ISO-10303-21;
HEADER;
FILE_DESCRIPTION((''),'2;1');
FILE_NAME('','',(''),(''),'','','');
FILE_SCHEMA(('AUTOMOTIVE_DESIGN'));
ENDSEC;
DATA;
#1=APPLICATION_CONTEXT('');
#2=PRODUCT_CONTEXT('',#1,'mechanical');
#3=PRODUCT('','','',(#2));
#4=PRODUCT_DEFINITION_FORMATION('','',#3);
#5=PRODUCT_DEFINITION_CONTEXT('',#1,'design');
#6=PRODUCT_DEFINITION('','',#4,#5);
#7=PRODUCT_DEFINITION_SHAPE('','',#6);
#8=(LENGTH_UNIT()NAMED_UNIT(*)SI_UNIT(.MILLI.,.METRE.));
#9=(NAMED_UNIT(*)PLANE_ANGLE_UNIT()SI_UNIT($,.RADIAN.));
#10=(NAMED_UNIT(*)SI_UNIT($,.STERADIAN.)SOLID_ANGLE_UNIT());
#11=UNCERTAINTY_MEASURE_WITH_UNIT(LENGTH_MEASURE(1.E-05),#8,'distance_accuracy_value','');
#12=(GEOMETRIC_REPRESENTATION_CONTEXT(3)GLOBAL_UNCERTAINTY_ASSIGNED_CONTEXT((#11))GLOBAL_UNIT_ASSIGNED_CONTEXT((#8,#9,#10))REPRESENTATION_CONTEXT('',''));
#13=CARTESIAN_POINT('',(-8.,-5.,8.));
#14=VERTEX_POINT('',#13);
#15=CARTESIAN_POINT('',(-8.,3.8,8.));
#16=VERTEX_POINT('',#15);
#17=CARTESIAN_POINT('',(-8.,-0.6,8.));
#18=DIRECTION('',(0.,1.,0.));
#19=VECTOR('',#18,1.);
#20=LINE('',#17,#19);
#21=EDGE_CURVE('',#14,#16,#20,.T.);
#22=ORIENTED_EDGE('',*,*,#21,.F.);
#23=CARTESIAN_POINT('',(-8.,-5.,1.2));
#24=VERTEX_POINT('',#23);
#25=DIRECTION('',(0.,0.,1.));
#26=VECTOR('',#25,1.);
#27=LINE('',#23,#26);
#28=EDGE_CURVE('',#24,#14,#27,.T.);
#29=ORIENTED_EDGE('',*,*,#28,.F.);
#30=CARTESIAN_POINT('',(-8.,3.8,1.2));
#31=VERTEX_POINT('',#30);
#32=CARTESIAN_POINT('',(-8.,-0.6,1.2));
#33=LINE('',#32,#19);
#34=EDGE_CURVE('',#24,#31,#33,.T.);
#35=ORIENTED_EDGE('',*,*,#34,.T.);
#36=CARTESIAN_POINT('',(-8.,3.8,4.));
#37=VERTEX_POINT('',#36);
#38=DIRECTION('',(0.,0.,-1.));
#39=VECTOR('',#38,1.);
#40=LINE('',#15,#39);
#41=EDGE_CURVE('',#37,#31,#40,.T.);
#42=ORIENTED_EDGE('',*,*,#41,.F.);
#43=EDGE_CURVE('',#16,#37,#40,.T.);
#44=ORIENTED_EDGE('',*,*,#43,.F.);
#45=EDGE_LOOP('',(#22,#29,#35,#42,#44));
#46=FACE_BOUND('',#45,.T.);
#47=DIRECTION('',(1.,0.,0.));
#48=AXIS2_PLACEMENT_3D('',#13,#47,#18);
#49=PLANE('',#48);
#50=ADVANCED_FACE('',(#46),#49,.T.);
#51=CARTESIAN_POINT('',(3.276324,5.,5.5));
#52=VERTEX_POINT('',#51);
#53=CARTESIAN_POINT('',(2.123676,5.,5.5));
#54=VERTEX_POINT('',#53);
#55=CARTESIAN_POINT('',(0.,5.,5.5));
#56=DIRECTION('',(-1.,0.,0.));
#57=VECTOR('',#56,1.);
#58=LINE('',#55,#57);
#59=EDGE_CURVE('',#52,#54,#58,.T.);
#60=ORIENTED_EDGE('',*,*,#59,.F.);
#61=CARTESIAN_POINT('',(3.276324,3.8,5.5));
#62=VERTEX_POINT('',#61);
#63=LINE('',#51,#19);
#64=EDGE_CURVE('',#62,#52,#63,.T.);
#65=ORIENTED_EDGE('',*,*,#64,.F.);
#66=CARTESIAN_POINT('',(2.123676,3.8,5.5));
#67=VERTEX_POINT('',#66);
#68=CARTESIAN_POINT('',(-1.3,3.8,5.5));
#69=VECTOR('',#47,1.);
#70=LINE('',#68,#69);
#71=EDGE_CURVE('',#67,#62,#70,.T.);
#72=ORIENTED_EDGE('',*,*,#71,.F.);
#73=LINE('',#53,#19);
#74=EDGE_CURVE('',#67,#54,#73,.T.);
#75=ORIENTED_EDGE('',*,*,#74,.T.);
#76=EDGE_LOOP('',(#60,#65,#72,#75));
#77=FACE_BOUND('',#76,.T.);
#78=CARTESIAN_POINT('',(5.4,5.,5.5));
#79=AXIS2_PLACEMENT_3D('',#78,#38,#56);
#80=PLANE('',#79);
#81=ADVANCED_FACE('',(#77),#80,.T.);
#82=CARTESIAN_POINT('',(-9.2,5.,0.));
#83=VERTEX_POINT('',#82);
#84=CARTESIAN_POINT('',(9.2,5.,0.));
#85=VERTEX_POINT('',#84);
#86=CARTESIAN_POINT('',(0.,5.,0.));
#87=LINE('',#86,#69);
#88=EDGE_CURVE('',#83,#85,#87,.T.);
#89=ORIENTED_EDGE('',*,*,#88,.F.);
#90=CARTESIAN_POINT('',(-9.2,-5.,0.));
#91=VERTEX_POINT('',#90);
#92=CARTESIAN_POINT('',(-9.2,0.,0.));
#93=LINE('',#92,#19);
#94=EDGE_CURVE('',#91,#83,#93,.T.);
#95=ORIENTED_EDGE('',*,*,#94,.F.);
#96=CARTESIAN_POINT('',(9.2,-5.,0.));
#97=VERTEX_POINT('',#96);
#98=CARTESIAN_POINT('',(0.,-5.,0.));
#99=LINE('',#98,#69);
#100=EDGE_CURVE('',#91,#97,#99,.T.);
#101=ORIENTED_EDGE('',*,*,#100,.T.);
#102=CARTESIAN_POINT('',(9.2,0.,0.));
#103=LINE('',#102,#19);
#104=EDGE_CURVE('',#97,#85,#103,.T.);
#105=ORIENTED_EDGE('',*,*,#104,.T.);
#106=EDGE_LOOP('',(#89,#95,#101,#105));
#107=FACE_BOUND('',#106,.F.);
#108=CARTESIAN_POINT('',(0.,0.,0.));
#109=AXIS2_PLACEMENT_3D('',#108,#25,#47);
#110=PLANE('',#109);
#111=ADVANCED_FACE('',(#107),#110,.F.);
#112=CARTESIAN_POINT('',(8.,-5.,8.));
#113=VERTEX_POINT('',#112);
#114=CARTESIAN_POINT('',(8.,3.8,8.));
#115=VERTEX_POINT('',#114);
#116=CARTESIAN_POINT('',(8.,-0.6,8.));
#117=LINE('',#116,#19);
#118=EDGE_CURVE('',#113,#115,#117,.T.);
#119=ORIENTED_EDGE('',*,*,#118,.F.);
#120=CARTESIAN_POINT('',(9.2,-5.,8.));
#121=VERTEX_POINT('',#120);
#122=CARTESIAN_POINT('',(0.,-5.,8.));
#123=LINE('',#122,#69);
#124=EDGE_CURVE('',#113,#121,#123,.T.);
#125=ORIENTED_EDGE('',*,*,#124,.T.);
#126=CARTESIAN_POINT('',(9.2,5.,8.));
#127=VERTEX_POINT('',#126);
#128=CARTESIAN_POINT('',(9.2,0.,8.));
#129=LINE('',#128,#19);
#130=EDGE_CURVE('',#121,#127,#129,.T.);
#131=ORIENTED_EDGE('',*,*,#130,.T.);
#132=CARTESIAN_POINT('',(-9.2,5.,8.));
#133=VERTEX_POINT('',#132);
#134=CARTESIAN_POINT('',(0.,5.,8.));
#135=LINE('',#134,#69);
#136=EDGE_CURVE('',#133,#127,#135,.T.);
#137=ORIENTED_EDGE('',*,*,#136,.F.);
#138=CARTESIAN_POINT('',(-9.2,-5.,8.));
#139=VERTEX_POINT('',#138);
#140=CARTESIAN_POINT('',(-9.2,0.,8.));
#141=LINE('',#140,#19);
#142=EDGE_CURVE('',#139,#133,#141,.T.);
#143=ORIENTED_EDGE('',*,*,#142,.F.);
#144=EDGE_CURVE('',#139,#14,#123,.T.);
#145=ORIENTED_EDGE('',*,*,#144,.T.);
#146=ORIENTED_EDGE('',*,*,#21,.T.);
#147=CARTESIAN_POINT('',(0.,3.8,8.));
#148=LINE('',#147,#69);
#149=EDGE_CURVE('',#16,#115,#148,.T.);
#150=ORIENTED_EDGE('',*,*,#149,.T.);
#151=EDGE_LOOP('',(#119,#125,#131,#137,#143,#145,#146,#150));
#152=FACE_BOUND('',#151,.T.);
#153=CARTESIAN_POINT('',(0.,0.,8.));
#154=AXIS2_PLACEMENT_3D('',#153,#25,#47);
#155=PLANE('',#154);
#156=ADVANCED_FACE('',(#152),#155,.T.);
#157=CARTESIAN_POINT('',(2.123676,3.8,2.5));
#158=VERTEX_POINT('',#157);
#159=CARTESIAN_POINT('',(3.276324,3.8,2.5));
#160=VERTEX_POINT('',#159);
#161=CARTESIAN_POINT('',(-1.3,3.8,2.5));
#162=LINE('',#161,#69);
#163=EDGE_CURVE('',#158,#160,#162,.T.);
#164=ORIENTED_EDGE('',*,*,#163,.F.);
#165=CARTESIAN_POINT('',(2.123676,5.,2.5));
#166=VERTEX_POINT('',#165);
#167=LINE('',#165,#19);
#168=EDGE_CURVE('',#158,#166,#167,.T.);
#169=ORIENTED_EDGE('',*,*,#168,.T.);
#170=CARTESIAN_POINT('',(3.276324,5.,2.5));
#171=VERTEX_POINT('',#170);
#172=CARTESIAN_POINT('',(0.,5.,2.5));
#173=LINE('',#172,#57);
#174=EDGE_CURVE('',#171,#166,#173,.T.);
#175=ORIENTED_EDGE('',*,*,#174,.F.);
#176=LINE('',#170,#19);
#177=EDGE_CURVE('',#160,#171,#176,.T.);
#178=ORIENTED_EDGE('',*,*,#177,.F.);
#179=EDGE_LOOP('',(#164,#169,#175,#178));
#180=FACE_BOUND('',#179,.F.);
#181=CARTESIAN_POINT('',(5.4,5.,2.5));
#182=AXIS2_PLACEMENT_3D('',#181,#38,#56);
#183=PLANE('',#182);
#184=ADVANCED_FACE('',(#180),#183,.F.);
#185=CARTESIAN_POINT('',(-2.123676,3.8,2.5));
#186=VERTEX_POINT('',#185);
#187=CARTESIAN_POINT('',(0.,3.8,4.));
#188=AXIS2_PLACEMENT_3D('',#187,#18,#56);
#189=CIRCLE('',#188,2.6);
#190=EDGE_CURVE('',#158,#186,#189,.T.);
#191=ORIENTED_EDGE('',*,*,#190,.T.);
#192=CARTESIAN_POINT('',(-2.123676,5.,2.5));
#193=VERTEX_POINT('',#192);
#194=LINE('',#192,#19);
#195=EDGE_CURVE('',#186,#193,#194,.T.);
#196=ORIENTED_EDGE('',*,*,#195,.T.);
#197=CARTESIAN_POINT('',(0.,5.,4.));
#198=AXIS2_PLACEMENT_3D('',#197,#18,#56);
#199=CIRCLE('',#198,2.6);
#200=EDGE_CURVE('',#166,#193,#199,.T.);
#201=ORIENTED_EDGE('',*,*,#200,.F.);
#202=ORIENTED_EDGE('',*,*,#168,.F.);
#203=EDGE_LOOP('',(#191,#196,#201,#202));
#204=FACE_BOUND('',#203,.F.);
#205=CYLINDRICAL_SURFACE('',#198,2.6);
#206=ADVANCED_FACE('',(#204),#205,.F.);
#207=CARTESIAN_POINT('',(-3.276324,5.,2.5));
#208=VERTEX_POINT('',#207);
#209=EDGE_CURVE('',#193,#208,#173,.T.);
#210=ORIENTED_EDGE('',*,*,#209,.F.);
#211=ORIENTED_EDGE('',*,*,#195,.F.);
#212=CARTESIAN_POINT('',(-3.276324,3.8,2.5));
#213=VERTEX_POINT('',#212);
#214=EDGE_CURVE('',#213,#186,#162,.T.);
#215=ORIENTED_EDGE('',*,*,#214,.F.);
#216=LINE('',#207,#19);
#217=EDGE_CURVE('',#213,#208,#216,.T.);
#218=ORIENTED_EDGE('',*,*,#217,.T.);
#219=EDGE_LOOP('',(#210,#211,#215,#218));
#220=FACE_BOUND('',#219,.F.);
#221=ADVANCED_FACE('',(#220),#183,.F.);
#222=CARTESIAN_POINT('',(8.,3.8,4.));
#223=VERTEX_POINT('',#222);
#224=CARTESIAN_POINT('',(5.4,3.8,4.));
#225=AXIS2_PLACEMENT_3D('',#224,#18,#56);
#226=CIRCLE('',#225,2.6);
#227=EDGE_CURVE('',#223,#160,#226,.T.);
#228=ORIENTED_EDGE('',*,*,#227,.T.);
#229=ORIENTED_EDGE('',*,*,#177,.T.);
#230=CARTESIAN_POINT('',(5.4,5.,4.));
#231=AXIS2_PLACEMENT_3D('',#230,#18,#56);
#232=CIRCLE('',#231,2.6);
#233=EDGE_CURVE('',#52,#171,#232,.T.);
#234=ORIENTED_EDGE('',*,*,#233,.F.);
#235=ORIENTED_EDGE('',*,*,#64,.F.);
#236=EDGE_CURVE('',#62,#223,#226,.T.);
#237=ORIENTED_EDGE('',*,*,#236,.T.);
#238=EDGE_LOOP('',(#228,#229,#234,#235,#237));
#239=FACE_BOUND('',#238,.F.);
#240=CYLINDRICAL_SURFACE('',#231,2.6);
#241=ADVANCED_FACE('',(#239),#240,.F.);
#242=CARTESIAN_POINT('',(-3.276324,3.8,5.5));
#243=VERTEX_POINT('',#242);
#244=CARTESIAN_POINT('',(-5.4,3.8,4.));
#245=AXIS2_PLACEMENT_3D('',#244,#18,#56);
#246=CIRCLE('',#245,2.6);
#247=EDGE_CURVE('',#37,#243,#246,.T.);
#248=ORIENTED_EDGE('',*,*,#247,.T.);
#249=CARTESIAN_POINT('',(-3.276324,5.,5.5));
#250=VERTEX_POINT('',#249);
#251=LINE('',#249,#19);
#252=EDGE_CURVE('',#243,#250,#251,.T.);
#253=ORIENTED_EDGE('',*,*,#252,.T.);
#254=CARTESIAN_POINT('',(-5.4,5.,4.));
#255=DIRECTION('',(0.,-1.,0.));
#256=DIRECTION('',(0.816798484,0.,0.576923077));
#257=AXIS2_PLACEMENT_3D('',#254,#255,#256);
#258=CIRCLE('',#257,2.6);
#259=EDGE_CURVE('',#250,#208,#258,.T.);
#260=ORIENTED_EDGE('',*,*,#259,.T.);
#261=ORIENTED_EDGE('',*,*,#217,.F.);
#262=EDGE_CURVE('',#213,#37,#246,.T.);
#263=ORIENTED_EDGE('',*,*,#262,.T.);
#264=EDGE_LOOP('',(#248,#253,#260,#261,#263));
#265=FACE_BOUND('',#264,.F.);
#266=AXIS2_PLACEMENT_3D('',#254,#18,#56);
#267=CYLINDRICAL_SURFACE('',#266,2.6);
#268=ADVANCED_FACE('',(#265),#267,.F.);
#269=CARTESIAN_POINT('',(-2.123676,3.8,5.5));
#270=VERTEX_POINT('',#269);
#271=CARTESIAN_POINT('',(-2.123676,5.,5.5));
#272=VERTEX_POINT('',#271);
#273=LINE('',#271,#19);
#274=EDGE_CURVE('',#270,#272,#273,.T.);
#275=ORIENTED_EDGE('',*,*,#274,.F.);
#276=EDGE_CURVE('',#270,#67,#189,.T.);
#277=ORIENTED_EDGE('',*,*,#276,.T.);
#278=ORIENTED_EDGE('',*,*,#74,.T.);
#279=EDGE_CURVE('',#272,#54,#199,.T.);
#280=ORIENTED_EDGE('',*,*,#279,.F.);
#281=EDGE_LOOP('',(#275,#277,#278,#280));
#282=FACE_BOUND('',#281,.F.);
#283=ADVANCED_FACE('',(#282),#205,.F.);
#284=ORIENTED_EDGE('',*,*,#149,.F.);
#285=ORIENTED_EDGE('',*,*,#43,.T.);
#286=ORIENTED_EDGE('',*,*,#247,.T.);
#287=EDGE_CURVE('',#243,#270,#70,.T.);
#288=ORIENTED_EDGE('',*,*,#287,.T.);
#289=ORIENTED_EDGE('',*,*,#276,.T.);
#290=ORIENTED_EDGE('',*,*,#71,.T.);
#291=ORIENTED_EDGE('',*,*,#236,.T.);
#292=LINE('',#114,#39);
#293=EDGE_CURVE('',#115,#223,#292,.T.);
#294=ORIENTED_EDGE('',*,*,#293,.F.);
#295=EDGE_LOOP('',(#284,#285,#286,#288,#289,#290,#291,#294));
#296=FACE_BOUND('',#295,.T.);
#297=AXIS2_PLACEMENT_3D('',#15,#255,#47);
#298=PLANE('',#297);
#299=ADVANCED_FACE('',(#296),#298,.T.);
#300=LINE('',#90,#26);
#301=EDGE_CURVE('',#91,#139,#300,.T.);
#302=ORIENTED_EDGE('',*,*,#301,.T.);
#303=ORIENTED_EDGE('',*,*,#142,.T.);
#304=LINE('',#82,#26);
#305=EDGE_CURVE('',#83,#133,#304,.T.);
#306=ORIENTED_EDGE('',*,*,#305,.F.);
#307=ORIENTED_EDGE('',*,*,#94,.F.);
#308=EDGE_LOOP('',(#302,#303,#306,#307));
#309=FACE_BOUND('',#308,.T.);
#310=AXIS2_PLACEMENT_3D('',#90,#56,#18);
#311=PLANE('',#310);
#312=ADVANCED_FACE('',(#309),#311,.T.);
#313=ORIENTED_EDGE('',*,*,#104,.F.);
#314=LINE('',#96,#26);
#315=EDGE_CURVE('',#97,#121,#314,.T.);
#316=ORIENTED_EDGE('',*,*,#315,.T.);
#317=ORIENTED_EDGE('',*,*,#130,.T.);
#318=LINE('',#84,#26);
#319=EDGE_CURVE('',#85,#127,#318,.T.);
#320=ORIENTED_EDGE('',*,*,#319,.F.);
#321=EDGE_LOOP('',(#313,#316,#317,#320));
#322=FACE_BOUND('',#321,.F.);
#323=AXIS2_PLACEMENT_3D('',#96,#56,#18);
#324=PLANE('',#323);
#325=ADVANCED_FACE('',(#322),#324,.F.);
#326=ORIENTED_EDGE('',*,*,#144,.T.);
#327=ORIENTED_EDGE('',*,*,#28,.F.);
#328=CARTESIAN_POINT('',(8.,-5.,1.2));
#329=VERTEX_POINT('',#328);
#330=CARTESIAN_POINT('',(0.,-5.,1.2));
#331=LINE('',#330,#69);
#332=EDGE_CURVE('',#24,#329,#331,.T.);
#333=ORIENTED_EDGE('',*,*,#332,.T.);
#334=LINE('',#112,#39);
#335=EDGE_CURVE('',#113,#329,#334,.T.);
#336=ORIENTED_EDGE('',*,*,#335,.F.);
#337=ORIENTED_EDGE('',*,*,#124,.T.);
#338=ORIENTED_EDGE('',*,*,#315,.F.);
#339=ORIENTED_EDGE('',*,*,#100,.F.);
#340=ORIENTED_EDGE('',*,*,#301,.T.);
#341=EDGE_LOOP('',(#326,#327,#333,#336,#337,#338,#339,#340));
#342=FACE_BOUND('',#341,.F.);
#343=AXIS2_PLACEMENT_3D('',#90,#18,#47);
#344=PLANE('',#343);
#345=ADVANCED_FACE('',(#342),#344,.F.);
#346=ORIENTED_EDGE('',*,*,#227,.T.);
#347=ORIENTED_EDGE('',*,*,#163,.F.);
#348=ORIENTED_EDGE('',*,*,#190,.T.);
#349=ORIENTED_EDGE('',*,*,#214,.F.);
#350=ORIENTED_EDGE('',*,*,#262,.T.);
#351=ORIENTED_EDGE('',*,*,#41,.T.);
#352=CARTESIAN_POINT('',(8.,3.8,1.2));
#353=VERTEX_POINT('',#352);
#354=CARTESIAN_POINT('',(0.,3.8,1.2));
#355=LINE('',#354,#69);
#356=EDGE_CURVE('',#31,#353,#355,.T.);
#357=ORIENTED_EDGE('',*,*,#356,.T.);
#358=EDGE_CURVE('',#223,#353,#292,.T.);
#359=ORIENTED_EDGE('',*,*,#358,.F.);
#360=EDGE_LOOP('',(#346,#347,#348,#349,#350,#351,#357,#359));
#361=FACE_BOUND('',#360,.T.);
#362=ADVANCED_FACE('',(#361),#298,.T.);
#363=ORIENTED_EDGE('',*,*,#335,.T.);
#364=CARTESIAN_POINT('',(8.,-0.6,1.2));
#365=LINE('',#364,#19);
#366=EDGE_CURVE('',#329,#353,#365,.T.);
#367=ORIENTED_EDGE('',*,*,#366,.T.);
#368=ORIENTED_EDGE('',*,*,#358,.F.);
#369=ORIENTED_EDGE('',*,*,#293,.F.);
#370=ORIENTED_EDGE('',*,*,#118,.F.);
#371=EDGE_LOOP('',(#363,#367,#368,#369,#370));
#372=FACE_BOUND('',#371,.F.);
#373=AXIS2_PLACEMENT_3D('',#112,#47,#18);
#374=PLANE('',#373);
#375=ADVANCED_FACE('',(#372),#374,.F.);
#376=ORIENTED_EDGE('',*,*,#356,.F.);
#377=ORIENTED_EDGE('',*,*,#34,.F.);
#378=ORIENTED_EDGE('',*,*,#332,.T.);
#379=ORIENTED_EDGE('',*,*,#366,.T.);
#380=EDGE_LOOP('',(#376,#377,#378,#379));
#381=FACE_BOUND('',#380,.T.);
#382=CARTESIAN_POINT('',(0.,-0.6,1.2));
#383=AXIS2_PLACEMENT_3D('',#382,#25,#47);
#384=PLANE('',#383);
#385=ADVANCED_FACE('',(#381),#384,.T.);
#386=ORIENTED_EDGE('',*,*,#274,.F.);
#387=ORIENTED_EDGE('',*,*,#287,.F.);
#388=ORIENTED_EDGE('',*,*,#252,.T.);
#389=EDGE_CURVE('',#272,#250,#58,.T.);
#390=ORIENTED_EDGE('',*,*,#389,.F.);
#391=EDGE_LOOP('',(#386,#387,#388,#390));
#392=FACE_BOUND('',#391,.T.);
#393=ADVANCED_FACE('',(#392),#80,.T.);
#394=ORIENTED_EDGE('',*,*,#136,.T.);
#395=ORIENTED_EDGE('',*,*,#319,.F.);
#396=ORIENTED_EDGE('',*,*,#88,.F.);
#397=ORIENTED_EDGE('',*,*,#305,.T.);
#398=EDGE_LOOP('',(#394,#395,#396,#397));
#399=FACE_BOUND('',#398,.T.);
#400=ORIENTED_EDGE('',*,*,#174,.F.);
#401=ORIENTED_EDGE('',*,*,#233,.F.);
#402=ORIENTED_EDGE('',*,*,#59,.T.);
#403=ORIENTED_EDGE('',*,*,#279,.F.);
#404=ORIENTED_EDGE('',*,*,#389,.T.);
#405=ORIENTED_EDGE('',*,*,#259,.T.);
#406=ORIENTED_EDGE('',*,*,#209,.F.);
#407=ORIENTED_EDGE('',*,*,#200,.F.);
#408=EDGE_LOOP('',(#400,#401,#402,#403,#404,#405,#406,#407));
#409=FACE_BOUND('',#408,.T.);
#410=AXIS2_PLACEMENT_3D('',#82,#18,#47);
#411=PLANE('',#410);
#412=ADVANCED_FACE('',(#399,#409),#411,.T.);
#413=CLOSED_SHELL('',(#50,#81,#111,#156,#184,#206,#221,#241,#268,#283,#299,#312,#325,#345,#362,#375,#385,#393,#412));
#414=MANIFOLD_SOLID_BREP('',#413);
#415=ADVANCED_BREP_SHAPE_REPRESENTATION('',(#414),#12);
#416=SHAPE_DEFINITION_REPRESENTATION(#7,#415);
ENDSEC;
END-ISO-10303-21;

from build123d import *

# Parameters (mm, degrees)
SKETCH_W        = 18.4
SKETCH_H        = 10
PAD_DEPTH       = 8
SKETCH002_R     = 2.6
POCKET_DEPTH    = 10
SKETCH003_W     = 16
SKETCH003_H     = 8.8
POCKET001_DEPTH = 6.8
SKETCH004_W     = 10.8
SKETCH004_H     = 3
POCKET002_DEPTH = 5


with BuildPart() as part:
    # Sketch → Pad (new body)
    with BuildSketch(Plane.XY):
        Rectangle(SKETCH_W, SKETCH_H)
    extrude(amount=PAD_DEPTH)

    # Sketch002 (on Face3 of Pad) → Pocket (cut)
    with BuildSketch(Plane(origin=(0, 5, 0), x_dir=(-1, 0, 0), z_dir=(0, 1, 0))):
        with Locations((-5.4, 4)):
            Circle(SKETCH002_R)
        with Locations((0, 4)):
            Circle(SKETCH002_R)
        with Locations((5.4, 4)):
            Circle(SKETCH002_R)
    extrude(amount=-POCKET_DEPTH, mode=Mode.SUBTRACT)

    # Sketch003 (on Face4 of Pocket) → Pocket001 (cut)
    with BuildSketch(Plane.XY.offset(8)):
        with Locations((0, -0.6)):
            Rectangle(SKETCH003_W, SKETCH003_H)
    extrude(amount=-POCKET001_DEPTH, mode=Mode.SUBTRACT)

    # Sketch004 (on Face7 of Pocket001) → Pocket002 (cut)
    with BuildSketch(Plane(origin=(0, 5, 0), x_dir=(-1, 0, 0), z_dir=(0, 1, 0))):
        with Locations((0, 4)):
            Rectangle(SKETCH004_W, SKETCH004_H)
    extrude(amount=-POCKET002_DEPTH, mode=Mode.SUBTRACT)


solid = part.part
